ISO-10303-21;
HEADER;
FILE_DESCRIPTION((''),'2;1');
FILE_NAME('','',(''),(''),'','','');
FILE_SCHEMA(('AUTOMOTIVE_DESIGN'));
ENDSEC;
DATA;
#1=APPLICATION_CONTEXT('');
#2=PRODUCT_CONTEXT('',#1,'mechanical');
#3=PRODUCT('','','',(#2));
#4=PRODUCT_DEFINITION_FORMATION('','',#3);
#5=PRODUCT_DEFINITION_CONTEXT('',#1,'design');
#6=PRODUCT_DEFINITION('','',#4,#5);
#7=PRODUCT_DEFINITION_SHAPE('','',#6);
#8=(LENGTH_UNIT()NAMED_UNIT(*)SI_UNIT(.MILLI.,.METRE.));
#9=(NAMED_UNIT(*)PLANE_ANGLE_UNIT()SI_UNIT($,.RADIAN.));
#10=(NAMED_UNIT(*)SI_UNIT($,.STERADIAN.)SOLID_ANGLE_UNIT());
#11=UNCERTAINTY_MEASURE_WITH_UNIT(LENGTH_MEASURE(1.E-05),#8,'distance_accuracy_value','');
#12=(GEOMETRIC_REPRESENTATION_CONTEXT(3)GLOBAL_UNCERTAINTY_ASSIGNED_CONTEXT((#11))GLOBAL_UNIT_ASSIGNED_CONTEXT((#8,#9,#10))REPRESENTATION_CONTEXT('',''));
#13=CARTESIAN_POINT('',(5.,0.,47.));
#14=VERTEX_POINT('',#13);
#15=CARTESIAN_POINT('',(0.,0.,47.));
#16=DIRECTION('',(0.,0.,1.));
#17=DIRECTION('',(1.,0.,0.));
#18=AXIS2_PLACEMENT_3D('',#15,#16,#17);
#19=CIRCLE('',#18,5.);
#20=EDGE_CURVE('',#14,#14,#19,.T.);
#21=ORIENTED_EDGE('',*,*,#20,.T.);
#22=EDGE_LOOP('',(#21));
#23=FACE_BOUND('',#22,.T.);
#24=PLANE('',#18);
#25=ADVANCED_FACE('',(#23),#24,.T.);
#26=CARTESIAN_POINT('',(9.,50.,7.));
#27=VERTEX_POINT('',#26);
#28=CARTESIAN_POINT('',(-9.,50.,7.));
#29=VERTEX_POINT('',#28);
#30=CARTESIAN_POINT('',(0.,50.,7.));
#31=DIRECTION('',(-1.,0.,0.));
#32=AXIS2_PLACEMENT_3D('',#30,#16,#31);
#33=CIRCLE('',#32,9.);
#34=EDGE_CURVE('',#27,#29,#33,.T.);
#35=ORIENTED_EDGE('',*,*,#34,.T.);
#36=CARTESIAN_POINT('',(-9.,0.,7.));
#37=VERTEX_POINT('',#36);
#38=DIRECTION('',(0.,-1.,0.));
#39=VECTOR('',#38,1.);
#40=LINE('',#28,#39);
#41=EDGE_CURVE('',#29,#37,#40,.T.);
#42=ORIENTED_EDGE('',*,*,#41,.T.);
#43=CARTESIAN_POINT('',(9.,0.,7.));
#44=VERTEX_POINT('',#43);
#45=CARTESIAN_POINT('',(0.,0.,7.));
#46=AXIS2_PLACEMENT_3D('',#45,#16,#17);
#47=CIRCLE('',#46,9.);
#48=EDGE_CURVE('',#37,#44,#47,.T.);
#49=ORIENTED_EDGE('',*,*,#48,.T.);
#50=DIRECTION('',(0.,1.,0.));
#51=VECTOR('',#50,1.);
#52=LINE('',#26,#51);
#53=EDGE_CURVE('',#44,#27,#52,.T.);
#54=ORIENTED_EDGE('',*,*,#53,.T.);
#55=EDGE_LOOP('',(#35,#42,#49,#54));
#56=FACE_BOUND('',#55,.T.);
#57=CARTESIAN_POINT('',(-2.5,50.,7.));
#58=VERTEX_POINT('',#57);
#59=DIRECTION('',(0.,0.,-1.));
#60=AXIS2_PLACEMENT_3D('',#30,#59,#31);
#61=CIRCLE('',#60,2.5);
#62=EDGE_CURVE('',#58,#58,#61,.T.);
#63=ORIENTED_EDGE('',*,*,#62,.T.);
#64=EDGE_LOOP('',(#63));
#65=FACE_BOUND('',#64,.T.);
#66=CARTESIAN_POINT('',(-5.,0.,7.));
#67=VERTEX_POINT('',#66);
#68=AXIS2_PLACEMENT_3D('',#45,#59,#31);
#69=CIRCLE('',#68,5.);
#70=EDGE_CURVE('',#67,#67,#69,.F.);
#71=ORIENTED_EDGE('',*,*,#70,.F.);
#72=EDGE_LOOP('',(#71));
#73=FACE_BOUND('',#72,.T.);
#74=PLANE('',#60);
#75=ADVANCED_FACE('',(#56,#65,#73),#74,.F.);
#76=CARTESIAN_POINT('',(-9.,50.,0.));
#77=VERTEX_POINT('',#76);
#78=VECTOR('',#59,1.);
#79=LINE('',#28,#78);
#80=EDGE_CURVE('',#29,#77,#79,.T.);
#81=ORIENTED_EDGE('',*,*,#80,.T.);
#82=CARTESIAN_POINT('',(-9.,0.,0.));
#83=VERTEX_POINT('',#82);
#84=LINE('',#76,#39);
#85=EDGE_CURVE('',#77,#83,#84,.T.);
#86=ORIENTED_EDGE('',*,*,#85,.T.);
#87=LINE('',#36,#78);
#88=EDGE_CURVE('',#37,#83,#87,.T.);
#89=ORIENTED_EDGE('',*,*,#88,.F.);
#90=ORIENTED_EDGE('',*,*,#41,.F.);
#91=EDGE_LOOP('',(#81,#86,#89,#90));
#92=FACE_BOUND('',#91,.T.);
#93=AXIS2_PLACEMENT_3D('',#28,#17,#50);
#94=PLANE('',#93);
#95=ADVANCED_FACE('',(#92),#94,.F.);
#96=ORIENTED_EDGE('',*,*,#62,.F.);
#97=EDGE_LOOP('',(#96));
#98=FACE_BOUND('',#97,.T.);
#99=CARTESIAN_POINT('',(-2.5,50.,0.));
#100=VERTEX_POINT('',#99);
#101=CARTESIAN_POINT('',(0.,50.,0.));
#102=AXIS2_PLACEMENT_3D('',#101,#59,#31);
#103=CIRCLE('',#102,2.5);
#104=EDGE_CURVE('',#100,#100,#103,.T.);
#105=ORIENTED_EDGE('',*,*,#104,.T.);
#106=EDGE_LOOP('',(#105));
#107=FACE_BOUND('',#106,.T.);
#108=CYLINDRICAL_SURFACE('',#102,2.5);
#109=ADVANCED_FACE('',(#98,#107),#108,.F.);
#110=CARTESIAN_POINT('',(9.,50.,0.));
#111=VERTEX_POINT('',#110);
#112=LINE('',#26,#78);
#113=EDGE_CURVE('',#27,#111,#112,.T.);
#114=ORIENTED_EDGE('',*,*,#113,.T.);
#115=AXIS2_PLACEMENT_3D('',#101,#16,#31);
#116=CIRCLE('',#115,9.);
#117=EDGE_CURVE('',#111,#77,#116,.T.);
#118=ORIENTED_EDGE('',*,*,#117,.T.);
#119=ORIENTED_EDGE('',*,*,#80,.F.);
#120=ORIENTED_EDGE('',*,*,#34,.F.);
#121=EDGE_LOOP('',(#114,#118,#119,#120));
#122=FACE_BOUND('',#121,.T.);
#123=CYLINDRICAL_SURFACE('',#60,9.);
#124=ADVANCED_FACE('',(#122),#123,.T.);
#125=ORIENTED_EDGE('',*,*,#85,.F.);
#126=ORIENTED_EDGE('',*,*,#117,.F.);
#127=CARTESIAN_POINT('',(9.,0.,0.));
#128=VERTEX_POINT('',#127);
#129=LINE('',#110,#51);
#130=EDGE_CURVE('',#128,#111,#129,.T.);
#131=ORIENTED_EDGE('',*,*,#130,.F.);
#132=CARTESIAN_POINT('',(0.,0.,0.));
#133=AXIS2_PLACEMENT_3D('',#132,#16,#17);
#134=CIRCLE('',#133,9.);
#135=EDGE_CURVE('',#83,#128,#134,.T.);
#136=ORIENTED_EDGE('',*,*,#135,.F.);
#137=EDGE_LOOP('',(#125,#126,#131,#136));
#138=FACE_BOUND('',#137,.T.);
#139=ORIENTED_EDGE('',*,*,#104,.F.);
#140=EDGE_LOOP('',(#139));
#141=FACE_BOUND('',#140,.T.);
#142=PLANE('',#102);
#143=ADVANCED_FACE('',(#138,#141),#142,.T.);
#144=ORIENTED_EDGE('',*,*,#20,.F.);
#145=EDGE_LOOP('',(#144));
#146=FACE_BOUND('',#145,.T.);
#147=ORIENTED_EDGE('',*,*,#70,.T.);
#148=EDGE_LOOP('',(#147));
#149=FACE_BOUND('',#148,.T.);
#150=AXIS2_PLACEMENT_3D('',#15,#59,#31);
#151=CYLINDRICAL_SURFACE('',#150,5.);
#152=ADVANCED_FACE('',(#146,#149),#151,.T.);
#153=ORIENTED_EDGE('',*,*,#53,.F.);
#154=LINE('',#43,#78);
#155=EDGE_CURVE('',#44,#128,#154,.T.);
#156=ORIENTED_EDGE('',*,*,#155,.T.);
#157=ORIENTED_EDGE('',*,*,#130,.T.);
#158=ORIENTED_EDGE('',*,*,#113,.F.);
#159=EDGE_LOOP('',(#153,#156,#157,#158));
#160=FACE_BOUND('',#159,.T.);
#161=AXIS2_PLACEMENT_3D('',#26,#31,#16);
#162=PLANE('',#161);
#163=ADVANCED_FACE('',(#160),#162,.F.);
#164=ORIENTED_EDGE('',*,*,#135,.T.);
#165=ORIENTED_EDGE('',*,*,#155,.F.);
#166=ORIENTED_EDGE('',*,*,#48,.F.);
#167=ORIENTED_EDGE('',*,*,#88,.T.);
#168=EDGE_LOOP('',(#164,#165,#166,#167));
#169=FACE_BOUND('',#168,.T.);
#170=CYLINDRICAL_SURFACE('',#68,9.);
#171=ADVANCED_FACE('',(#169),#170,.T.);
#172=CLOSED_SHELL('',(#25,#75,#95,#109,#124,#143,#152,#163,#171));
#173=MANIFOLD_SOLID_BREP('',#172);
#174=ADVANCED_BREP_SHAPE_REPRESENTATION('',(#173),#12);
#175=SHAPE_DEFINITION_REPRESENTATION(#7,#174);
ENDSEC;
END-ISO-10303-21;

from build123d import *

# Parameters (mm, degrees)
BOSS_EXTRUDE1_DEPTH   = 7
SKETCH2_R             = 5
BOSS_EXTRUDE2_DEPTH   = 40
M6_TAPPED_HOLE1_D     = 5
M6_TAPPED_HOLE1_DEPTH = 15
M6_TAPPED_HOLE1_TIP   = 1.502151548


with BuildPart() as part:
    # Sketch1 → Boss-Extrude1 (new body)
    with BuildSketch(Plane.XY):
        with BuildLine():
            Line((-9, 50), (-9, 0))
            ThreePointArc((-9, 0), (0, -9), (9, 0))
            Line((9, 0), (9, 50))
            ThreePointArc((9, 50), (0, 59), (-9, 50))
        make_face()
    extrude(amount=BOSS_EXTRUDE1_DEPTH)

    # Sketch2 → Boss-Extrude2 (add)
    with BuildSketch(Plane.XY.offset(7)):
        with Locations(Location((0, 0, 0), (0, 0, 180))):  # turned: the seam where the file's is
            Circle(SKETCH2_R)
    extrude(amount=BOSS_EXTRUDE2_DEPTH)

    # M6 Tapped Hole1
    with Locations(Plane(origin=(0, 0, 0), x_dir=(-1, 0, 0), z_dir=(0, 0, -1))):
        with Locations((0, 50)):
            Hole(M6_TAPPED_HOLE1_D / 2, depth=M6_TAPPED_HOLE1_DEPTH)
            with Locations((0, 0, -(M6_TAPPED_HOLE1_DEPTH + M6_TAPPED_HOLE1_TIP / 2))):  # 118° drill point
                Cone(0, M6_TAPPED_HOLE1_D / 2, M6_TAPPED_HOLE1_TIP, mode=Mode.SUBTRACT)


solid = part.part
